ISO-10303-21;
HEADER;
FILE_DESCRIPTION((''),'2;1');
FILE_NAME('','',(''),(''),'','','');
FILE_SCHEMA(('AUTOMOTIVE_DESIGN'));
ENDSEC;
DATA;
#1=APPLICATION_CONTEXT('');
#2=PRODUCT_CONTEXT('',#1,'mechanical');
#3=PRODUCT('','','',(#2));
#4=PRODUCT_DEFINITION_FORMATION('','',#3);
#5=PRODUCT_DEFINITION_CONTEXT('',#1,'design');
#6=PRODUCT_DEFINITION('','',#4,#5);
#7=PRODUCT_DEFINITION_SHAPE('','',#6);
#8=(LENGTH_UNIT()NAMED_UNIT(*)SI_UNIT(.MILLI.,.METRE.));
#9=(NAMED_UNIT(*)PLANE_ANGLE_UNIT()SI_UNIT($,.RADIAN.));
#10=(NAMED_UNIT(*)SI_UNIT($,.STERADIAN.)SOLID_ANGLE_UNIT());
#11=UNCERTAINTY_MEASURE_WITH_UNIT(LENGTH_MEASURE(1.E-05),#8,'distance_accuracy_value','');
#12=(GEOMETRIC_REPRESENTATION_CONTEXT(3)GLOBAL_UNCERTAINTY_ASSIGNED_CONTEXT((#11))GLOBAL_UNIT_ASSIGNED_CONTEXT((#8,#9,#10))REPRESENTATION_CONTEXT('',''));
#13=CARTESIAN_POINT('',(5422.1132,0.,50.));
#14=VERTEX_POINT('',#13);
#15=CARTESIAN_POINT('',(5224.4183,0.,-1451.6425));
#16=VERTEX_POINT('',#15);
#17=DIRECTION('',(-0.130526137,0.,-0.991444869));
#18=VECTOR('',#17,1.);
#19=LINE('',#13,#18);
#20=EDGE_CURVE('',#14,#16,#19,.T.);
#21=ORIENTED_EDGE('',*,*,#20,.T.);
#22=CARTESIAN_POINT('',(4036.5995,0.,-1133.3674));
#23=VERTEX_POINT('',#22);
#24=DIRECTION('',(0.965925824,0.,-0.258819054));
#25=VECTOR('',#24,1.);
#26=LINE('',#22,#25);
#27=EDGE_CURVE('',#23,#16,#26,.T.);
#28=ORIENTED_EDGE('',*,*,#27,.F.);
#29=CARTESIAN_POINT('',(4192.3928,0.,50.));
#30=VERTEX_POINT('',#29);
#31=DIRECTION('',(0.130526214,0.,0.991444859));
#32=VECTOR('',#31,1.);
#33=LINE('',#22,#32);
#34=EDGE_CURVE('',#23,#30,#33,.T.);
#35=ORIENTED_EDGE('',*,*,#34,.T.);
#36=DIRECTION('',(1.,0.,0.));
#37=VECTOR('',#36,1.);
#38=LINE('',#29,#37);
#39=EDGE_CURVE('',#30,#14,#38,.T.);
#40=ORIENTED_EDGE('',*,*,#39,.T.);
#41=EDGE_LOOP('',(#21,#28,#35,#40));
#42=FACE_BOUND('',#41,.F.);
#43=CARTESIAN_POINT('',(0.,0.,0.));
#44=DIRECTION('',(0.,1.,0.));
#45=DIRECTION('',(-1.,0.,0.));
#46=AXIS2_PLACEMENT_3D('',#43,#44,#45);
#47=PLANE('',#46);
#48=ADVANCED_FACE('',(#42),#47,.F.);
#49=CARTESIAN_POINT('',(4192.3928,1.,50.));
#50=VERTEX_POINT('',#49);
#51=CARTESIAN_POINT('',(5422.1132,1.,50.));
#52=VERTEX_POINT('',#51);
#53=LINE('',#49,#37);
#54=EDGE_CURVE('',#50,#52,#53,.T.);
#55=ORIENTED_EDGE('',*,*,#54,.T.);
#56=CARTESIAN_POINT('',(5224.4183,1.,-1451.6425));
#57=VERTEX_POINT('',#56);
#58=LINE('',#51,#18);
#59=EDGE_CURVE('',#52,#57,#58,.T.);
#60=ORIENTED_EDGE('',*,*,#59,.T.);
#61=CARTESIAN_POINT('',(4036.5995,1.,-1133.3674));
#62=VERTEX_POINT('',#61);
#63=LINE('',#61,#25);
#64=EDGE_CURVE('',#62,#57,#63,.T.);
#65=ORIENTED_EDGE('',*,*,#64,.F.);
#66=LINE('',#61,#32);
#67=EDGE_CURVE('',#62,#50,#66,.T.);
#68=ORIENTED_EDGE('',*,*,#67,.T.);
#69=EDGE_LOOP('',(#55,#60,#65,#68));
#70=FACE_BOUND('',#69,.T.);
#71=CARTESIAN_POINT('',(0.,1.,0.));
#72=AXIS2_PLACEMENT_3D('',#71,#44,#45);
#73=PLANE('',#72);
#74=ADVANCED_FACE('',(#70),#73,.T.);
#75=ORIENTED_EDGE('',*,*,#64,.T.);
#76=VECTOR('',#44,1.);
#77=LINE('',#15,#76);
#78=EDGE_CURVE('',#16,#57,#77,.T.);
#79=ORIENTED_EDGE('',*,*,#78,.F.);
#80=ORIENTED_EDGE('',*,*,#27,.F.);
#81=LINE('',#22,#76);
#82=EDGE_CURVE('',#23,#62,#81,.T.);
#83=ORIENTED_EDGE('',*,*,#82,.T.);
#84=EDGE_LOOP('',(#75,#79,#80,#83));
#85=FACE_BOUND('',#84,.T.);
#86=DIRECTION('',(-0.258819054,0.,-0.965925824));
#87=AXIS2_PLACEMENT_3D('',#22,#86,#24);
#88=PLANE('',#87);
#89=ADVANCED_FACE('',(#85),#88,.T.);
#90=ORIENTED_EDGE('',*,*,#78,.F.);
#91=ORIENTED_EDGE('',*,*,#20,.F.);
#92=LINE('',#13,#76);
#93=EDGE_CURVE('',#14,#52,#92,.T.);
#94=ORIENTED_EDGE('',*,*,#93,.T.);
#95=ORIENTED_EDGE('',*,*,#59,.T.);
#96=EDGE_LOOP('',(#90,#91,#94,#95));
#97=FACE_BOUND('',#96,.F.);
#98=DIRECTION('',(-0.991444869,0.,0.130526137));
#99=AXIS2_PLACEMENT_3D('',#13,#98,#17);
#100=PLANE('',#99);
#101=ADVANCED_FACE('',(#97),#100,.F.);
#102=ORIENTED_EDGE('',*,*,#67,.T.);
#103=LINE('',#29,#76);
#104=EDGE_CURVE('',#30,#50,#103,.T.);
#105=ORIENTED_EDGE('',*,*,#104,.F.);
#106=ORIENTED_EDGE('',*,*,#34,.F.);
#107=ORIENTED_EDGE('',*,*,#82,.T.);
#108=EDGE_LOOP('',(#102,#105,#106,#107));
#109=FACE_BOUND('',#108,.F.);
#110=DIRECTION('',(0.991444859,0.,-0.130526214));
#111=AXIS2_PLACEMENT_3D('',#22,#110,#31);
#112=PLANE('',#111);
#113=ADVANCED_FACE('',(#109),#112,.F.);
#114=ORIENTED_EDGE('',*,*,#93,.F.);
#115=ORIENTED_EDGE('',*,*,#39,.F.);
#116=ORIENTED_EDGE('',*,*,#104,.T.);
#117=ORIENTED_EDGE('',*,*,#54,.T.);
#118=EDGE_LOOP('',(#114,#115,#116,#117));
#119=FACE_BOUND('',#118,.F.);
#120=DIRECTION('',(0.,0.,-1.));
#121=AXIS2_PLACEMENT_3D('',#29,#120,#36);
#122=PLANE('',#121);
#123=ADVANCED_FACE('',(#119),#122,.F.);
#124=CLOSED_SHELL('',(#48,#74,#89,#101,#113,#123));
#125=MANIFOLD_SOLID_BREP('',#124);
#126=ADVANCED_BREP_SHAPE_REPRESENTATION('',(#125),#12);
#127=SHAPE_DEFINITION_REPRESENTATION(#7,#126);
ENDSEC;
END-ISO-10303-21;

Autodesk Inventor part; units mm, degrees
ref_plane "YZ Plane" through (0, 0, 0) normal (1, 0, 0) x (0, 1, 0)
ref_plane "XZ Plane" through (0, 0, 0) normal (0, 1, 0) x (-1, 0, 0)
ref_plane "XY Plane" through (0, 0, 0) normal (0, 0, 1) x (1, 0, 0)
sketch "Sketch1" plane through (0, 0, 0) normal (0, 1, 0) x (-1, 0, 0)
  line L0 (0, 0) -> (-12922.0343, 0) construction
  line L1 (0, 0) -> (-12360.1465, -3311.8913) construction
  line L2 (0, 0) -> (13412.8311, 0) construction
  line L3 (-4192.3928, 50) -> (-5422.1132, 50)
  line L4 (-4036.5995, -1133.3674) -> (-5224.4183, -1451.6425)
  line L5 (-5422.1132, 50) -> (-5224.4183, -1451.6425)
  line L6 (-4036.5995, -1133.3674) -> (-4192.3928, 50)
  line L7 (0, 0) -> (-4114.4962, -541.6837) construction
  line L8 (0, 0) -> (4150, 0) construction
  dimension "d0" = 165
  dimension "d3" = 50
  dimension "d4" = 50
  dimension "d6" = 4150
  dimension "d7" = 172.5
extrude "Extrusion1" add sketch "Sketch1" along normal blind 1
properties part number "panelCflat"
